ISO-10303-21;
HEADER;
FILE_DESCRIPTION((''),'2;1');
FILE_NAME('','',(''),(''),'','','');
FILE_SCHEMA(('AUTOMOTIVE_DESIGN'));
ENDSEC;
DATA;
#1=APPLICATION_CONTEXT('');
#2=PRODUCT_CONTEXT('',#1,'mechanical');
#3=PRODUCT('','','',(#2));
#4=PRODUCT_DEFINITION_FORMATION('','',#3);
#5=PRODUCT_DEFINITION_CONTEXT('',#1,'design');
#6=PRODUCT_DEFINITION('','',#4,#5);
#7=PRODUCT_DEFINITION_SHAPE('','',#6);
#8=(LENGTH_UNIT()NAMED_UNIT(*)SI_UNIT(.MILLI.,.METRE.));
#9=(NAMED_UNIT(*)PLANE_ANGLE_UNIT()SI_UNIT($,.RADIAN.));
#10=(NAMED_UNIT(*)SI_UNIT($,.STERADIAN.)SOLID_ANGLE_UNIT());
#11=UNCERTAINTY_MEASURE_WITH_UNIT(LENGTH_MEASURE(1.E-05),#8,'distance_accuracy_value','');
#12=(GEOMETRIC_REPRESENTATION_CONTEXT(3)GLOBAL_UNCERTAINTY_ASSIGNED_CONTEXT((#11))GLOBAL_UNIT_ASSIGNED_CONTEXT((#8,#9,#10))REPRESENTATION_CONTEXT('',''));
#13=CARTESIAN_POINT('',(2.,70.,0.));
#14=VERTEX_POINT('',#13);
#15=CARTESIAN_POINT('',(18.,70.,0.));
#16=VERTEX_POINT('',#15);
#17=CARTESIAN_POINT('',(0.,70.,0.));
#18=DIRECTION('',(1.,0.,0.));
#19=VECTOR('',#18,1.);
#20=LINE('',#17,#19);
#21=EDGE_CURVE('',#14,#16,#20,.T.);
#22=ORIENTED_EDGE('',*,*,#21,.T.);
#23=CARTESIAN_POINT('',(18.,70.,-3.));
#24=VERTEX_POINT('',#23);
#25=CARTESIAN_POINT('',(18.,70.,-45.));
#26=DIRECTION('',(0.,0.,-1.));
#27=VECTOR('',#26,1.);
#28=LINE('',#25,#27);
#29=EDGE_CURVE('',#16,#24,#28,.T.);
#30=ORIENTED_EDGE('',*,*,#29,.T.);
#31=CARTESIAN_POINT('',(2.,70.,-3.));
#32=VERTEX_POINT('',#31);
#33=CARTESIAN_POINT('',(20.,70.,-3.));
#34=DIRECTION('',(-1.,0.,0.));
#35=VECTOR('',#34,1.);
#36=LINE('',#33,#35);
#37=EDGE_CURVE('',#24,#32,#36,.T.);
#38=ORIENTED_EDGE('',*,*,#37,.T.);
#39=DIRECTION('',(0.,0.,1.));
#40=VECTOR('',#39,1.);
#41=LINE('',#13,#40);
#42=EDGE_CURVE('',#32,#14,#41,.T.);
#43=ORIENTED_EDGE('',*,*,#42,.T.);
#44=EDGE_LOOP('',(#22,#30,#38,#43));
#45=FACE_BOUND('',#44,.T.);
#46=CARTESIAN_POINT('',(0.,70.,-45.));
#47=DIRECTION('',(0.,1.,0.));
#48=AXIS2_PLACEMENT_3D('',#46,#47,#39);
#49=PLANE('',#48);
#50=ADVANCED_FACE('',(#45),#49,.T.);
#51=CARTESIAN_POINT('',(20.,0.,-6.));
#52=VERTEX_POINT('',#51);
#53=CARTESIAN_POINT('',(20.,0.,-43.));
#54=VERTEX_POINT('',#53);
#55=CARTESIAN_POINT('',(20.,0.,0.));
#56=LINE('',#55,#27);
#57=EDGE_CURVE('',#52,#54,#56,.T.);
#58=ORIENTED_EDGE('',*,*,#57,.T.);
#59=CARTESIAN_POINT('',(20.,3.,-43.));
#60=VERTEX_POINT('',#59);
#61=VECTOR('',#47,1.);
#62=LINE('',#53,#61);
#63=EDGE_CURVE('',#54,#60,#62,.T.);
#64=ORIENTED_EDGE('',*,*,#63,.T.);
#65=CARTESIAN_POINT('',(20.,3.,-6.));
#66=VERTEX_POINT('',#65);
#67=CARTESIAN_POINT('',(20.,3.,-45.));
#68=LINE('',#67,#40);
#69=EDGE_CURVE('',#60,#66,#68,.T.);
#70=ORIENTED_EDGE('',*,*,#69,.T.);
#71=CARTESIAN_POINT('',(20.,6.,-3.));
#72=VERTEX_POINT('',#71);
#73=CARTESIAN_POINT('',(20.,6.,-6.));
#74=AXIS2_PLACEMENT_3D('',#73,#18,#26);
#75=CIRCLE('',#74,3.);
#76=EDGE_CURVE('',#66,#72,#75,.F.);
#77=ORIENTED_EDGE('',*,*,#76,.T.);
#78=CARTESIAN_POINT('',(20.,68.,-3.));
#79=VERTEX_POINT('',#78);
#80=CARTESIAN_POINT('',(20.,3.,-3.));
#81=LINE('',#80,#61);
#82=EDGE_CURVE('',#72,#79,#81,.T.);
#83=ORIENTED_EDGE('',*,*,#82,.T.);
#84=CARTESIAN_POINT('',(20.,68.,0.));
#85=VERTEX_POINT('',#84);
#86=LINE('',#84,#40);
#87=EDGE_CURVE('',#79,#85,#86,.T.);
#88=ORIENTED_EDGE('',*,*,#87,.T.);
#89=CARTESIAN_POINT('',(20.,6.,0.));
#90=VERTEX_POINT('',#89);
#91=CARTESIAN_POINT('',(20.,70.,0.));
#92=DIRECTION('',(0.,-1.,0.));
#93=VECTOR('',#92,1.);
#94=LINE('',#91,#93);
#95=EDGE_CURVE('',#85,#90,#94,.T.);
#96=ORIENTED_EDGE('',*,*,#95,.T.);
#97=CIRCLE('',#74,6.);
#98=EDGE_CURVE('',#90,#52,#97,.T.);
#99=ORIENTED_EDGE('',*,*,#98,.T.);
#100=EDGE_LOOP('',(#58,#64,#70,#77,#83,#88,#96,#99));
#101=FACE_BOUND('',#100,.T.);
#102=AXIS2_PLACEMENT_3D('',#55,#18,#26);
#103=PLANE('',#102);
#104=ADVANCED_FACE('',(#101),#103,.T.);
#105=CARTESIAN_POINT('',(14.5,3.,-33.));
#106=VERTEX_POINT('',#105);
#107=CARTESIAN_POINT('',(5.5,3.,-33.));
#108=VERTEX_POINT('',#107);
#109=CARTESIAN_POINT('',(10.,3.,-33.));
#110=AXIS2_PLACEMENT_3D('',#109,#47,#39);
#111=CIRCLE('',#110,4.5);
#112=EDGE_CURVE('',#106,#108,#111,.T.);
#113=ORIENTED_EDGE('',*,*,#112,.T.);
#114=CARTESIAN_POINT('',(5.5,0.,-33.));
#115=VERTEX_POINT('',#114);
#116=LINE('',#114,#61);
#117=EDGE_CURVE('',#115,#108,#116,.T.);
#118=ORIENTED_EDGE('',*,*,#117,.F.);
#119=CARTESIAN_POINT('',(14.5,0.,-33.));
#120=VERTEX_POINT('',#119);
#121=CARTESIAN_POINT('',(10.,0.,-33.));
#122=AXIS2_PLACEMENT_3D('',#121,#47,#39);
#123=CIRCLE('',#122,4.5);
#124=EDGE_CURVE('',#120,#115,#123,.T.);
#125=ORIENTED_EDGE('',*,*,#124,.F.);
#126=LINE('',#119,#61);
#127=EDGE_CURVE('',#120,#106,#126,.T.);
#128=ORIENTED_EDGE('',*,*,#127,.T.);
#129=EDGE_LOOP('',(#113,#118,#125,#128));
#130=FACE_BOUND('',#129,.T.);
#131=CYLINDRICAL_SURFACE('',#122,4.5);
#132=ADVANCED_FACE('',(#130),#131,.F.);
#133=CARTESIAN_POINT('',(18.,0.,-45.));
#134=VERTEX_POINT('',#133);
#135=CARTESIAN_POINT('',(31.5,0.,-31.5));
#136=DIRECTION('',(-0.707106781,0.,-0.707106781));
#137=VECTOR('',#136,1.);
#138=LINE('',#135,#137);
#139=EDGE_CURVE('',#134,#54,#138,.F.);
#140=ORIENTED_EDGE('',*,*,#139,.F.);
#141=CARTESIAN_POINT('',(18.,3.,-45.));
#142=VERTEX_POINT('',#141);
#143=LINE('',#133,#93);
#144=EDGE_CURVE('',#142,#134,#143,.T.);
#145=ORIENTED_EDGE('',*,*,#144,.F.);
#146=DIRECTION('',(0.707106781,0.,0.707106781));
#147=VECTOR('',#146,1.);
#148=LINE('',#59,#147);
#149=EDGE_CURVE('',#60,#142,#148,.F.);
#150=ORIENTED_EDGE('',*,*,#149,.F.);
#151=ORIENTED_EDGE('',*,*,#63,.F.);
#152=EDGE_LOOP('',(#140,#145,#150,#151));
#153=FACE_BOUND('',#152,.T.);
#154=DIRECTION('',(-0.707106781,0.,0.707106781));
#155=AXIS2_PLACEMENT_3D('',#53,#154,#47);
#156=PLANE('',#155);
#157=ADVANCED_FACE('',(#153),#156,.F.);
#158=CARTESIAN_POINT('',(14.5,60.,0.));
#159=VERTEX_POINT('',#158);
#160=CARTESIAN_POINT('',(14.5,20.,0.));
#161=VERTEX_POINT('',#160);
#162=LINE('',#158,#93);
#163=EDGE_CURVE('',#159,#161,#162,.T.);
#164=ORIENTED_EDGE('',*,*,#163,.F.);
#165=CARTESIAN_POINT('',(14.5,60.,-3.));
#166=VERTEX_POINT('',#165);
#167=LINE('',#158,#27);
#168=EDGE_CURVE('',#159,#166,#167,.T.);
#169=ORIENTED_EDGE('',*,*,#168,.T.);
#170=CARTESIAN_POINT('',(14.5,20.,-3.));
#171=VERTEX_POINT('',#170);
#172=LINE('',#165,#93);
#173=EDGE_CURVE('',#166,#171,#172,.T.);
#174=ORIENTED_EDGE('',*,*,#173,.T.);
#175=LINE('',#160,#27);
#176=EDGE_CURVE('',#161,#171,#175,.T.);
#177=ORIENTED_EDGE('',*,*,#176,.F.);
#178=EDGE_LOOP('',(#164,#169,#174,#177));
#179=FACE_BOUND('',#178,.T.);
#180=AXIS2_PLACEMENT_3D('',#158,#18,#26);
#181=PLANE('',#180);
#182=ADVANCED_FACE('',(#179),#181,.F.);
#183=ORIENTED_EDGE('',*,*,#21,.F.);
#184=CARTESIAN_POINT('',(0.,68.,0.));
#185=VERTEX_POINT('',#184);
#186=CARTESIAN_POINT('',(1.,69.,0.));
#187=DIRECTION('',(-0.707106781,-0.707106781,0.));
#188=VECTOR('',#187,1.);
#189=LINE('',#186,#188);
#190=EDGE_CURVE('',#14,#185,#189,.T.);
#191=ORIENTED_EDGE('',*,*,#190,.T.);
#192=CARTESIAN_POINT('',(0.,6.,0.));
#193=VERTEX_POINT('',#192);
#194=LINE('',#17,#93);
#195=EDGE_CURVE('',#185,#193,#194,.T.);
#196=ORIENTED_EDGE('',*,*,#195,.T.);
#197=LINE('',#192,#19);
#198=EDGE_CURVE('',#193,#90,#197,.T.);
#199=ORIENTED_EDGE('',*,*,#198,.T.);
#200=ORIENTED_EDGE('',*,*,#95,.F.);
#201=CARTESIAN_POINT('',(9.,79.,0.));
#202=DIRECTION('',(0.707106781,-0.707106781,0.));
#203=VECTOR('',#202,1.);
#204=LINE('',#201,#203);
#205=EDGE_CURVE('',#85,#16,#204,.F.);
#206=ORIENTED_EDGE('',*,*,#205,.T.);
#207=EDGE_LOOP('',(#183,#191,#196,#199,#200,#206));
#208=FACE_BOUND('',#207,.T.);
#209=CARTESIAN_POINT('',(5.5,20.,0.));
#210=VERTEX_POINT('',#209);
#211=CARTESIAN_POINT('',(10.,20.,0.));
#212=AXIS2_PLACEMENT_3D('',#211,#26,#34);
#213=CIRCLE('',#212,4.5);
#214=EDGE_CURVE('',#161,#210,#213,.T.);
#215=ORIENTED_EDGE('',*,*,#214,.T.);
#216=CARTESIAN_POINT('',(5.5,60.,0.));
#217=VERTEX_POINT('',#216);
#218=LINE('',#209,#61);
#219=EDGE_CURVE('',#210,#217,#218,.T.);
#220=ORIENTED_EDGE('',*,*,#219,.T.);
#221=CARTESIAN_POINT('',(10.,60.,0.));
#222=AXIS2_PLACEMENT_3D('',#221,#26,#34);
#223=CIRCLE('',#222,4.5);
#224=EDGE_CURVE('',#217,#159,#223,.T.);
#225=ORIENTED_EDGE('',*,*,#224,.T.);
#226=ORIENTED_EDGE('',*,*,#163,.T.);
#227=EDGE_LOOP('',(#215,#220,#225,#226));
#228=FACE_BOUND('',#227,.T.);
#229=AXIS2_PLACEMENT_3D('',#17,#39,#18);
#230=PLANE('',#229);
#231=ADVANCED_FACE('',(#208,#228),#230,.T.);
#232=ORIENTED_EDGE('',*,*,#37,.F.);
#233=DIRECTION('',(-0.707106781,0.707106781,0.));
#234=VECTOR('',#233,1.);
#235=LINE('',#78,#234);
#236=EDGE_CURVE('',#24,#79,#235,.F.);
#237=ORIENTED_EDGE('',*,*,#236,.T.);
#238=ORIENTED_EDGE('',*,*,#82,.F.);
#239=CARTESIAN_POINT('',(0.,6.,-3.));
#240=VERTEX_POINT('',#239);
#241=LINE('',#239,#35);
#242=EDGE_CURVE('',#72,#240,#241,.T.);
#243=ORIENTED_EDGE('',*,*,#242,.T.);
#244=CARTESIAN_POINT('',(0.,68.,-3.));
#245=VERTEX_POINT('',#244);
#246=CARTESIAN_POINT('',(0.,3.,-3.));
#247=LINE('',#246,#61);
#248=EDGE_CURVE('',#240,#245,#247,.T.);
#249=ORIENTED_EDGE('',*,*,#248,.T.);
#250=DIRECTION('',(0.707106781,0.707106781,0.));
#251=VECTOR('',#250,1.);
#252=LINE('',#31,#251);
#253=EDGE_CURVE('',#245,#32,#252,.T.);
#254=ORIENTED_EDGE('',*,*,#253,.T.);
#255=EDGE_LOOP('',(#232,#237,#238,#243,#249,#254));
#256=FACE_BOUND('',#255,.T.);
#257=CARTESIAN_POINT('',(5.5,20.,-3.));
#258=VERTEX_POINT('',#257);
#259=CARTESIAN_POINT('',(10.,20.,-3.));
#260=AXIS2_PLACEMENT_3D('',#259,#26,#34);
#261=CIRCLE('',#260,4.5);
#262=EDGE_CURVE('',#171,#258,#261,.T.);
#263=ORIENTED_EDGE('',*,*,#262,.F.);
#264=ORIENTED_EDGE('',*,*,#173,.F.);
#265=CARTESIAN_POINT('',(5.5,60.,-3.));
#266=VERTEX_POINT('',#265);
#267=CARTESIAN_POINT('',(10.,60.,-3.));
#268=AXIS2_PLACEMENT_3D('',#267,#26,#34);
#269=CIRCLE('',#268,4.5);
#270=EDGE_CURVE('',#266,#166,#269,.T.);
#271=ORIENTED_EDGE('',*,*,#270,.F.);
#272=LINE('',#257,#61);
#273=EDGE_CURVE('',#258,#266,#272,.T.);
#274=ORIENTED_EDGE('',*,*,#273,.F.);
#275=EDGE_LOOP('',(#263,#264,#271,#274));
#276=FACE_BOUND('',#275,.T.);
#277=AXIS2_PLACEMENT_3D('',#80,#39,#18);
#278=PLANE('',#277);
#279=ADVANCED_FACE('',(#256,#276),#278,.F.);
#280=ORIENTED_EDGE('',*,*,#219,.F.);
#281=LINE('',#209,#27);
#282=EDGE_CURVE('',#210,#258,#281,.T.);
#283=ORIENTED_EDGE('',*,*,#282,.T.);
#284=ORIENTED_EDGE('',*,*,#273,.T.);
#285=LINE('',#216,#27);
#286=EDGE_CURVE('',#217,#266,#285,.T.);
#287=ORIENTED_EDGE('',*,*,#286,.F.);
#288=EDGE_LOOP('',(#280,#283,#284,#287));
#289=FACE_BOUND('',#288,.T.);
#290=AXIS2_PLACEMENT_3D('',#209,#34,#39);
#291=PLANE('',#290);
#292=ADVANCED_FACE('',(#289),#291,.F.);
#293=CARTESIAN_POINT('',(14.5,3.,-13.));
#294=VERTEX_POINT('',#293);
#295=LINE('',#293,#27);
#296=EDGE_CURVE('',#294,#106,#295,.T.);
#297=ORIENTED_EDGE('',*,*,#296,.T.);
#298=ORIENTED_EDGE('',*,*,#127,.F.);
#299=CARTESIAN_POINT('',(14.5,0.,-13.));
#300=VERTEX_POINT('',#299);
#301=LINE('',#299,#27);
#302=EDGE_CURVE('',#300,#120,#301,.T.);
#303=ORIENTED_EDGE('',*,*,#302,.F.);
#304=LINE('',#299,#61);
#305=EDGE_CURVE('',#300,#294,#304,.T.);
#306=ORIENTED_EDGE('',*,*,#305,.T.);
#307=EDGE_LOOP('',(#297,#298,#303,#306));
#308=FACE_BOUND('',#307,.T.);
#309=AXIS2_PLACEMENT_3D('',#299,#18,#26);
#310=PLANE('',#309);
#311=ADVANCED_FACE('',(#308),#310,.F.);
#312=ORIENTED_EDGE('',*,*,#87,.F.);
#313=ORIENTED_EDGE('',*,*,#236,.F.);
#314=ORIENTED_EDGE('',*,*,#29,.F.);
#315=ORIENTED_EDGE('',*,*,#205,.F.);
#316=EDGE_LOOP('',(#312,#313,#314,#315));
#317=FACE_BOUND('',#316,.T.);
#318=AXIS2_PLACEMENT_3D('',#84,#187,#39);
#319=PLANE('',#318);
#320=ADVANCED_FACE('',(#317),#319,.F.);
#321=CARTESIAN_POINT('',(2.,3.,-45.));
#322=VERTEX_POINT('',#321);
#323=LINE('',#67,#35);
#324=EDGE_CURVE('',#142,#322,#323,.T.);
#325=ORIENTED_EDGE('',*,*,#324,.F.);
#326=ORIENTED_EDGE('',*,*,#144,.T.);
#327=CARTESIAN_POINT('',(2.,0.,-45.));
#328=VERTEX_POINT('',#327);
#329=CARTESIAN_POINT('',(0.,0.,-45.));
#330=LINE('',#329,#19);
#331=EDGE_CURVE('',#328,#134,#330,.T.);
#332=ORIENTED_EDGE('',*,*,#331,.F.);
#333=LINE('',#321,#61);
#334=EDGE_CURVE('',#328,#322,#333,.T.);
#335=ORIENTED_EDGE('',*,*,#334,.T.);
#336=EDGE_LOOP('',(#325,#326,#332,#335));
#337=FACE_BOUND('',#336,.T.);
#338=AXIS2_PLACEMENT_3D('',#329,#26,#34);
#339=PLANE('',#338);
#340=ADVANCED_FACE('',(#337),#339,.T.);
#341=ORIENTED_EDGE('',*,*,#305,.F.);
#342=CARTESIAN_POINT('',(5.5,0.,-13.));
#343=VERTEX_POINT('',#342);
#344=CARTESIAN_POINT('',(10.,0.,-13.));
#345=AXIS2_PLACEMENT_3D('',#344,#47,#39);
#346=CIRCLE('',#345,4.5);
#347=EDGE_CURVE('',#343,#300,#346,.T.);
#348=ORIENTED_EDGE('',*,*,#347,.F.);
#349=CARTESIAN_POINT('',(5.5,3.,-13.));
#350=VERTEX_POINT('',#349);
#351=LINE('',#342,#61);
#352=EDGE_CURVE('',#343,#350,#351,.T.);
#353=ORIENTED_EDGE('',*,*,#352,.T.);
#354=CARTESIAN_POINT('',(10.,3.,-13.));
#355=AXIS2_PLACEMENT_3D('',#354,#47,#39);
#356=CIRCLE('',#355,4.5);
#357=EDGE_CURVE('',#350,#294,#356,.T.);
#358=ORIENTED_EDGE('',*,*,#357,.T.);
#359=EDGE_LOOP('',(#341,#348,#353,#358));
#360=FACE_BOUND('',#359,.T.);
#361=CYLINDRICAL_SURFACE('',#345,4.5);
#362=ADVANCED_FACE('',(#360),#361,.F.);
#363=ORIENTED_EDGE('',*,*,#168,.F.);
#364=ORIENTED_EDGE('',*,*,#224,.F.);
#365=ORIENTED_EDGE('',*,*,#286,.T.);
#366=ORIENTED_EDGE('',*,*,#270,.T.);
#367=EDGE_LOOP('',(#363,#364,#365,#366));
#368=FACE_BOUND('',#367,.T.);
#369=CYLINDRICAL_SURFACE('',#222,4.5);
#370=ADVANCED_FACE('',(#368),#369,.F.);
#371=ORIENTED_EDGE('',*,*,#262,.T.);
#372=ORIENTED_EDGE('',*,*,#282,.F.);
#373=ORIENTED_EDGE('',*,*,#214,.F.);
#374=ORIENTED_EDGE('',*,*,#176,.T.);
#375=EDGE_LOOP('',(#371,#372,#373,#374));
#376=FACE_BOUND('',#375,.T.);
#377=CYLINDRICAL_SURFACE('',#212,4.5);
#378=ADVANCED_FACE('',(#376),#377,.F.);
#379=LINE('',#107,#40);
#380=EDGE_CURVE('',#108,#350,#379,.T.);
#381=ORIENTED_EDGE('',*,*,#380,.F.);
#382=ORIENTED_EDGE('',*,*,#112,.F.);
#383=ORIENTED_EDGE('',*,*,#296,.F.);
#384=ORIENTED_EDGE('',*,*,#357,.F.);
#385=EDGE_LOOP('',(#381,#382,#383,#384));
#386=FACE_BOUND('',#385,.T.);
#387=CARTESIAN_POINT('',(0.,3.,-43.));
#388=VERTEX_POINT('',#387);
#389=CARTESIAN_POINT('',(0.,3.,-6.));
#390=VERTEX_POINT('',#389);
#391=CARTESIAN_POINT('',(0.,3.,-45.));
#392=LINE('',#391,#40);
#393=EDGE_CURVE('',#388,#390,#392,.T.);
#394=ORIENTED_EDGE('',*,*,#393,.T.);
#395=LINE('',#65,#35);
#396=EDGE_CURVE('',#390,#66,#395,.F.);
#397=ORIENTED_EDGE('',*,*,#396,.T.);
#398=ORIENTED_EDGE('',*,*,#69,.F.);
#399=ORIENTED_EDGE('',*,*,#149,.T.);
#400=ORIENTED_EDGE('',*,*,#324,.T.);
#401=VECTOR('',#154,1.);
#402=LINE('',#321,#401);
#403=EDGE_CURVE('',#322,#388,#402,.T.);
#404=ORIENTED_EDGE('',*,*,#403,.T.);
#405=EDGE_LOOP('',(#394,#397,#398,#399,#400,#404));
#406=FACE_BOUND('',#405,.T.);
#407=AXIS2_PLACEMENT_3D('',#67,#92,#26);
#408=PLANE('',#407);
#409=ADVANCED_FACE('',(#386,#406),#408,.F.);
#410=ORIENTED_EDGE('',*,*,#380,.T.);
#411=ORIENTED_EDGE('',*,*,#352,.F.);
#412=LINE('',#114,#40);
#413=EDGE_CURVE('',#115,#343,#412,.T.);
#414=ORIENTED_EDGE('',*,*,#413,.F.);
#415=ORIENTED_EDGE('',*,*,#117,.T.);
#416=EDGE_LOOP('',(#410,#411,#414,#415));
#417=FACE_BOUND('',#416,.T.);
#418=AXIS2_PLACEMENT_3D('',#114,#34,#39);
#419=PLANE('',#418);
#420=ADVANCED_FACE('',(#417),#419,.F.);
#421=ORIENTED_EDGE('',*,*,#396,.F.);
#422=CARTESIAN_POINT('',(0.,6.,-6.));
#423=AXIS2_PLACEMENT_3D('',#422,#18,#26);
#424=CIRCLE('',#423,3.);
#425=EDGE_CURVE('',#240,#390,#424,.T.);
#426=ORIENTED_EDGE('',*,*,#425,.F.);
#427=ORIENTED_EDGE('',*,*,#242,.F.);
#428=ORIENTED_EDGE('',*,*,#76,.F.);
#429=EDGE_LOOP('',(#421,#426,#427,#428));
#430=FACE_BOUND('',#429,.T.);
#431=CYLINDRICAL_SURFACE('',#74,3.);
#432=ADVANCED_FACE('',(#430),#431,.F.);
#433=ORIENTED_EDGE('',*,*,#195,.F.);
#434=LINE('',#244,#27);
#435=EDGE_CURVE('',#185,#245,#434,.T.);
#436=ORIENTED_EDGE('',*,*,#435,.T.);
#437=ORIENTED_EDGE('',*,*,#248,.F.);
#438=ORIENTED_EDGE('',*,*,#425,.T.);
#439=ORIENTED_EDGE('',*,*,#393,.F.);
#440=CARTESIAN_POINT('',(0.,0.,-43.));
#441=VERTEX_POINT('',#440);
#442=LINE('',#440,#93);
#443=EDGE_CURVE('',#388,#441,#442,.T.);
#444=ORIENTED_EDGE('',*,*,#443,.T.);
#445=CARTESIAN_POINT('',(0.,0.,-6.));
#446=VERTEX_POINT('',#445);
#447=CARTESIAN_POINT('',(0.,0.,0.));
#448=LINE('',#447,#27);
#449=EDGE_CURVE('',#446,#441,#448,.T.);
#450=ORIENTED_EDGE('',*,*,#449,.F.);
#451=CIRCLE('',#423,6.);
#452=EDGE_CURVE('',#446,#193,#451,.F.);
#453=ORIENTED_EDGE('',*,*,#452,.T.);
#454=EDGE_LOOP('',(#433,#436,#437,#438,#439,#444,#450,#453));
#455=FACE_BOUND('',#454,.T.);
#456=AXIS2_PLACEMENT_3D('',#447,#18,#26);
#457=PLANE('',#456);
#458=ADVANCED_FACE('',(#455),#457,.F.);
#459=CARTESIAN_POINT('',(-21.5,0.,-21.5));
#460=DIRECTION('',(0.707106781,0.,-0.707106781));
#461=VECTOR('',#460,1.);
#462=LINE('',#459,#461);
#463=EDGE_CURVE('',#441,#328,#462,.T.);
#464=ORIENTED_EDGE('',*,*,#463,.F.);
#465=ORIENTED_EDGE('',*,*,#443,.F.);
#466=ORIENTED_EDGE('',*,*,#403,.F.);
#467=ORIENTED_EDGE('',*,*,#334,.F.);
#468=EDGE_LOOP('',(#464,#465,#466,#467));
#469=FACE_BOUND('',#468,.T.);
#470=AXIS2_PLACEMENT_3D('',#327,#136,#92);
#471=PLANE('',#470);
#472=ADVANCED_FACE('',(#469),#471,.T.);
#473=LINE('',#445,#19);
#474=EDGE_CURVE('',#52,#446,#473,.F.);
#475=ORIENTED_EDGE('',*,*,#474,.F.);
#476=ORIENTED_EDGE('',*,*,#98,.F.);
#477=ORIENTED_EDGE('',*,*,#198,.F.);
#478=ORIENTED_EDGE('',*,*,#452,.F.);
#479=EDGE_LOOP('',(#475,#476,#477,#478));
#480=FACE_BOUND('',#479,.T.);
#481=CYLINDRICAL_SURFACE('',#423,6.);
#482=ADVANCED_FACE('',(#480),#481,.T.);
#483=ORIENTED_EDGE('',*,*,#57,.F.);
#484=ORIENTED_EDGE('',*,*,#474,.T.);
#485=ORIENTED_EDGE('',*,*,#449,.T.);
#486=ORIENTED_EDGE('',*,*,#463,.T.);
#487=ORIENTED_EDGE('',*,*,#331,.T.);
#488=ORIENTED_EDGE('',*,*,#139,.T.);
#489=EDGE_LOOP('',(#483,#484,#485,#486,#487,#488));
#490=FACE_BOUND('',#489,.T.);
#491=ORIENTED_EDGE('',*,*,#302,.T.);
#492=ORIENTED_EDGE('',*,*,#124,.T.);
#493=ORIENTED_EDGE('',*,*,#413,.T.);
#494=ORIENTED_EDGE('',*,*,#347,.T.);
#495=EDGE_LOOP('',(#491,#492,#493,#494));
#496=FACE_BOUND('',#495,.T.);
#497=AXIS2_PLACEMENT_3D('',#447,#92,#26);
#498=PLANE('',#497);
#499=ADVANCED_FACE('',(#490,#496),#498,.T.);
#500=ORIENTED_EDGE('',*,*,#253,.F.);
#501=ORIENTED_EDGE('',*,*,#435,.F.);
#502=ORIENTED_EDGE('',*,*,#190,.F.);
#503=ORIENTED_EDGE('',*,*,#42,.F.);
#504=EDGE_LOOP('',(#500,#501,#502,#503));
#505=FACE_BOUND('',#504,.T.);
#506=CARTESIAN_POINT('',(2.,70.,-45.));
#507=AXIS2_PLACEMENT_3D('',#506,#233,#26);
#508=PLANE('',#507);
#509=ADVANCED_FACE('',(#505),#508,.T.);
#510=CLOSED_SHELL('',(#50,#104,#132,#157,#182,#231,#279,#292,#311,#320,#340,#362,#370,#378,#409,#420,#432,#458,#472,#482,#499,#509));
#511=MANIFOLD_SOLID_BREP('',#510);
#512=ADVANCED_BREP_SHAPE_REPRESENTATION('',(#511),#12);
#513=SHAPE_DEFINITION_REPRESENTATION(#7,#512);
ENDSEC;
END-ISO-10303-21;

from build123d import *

# Parameters (mm, degrees)
SKETCH1_W           = 45
SKETCH1_H           = 70
BOSS_EXTRUDE1_DEPTH = 20
SKETCH2_W           = 42
SKETCH2_H           = 67
CUT_EXTRUDE1_DEPTH  = 86.586213843
CUT_EXTRUDE2_DEPTH  = 84.150466024
CUT_EXTRUDE3_DEPTH  = 85.047605558
CHAMFER1_SIZE       = 2
FILLET1_R           = 3
FILLET2_R           = 6


with BuildPart() as part:
    # Sketch1 → Boss-Extrude1 (new body)
    with BuildSketch(Plane(origin=(20, 0, 0), x_dir=(0, 0, -1), z_dir=(1, 0, 0))):
        with Locations((22.5, 35)):
            Rectangle(SKETCH1_W, SKETCH1_H)
    extrude(amount=-BOSS_EXTRUDE1_DEPTH)

    # Sketch2 → Cut-Extrude1 (cut, through all)
    with BuildSketch(Plane.ZY):
        with Locations((-24, 36.5)):
            Rectangle(SKETCH2_W, SKETCH2_H)
    extrude(amount=-CUT_EXTRUDE1_DEPTH, mode=Mode.SUBTRACT)

    # Sketch3 → Cut-Extrude2 (cut, through all)
    with BuildSketch(Plane(origin=(0, 3, 0), x_dir=(-1, 0, 0), z_dir=(0, 1, 0))):
        with BuildLine():
            Line((-5.5, -33), (-5.5, -13))
            ThreePointArc((-5.5, -13), (-10, -8.5), (-14.5, -13))
            Line((-14.5, -13), (-14.5, -33))
            ThreePointArc((-14.5, -33), (-10, -37.5), (-5.5, -33))
        make_face()
    extrude(amount=-CUT_EXTRUDE2_DEPTH, mode=Mode.SUBTRACT)

    # Sketch4 → Cut-Extrude3 (cut, through all)
    with BuildSketch(Plane(origin=(0, 0, -3), x_dir=(-1, 0, 0), z_dir=(0, 0, -1))):
        with BuildLine():
            Line((-14.5, 60), (-14.5, 20))
            ThreePointArc((-14.5, 20), (-10, 15.5), (-5.5, 20))
            Line((-5.5, 20), (-5.5, 60))
            ThreePointArc((-5.5, 60), (-10, 64.5), (-14.5, 60))
        make_face()
    extrude(amount=-CUT_EXTRUDE3_DEPTH, mode=Mode.SUBTRACT)

    # Chamfer1
    chamfer1_edges = [part.edges().sort_by_distance(p)[0] for p in [
        (0, 1.5, -45),
        (20, 70, -1.5),
        (0, 70, -1.5),
        (20, 1.5, -45),
    ]]
    chamfer(chamfer1_edges, length=CHAMFER1_SIZE)

    # Fillet1
    fillet1_edges = [part.edges().sort_by_distance(p)[0] for p in [
        (10, 3, -3),
    ]]
    fillet(fillet1_edges, radius=FILLET1_R)

    # Fillet2
    fillet2_edges = [part.edges().sort_by_distance(p)[0] for p in [
        (10, 0, 0),
    ]]
    fillet(fillet2_edges, radius=FILLET2_R)


solid = part.part
